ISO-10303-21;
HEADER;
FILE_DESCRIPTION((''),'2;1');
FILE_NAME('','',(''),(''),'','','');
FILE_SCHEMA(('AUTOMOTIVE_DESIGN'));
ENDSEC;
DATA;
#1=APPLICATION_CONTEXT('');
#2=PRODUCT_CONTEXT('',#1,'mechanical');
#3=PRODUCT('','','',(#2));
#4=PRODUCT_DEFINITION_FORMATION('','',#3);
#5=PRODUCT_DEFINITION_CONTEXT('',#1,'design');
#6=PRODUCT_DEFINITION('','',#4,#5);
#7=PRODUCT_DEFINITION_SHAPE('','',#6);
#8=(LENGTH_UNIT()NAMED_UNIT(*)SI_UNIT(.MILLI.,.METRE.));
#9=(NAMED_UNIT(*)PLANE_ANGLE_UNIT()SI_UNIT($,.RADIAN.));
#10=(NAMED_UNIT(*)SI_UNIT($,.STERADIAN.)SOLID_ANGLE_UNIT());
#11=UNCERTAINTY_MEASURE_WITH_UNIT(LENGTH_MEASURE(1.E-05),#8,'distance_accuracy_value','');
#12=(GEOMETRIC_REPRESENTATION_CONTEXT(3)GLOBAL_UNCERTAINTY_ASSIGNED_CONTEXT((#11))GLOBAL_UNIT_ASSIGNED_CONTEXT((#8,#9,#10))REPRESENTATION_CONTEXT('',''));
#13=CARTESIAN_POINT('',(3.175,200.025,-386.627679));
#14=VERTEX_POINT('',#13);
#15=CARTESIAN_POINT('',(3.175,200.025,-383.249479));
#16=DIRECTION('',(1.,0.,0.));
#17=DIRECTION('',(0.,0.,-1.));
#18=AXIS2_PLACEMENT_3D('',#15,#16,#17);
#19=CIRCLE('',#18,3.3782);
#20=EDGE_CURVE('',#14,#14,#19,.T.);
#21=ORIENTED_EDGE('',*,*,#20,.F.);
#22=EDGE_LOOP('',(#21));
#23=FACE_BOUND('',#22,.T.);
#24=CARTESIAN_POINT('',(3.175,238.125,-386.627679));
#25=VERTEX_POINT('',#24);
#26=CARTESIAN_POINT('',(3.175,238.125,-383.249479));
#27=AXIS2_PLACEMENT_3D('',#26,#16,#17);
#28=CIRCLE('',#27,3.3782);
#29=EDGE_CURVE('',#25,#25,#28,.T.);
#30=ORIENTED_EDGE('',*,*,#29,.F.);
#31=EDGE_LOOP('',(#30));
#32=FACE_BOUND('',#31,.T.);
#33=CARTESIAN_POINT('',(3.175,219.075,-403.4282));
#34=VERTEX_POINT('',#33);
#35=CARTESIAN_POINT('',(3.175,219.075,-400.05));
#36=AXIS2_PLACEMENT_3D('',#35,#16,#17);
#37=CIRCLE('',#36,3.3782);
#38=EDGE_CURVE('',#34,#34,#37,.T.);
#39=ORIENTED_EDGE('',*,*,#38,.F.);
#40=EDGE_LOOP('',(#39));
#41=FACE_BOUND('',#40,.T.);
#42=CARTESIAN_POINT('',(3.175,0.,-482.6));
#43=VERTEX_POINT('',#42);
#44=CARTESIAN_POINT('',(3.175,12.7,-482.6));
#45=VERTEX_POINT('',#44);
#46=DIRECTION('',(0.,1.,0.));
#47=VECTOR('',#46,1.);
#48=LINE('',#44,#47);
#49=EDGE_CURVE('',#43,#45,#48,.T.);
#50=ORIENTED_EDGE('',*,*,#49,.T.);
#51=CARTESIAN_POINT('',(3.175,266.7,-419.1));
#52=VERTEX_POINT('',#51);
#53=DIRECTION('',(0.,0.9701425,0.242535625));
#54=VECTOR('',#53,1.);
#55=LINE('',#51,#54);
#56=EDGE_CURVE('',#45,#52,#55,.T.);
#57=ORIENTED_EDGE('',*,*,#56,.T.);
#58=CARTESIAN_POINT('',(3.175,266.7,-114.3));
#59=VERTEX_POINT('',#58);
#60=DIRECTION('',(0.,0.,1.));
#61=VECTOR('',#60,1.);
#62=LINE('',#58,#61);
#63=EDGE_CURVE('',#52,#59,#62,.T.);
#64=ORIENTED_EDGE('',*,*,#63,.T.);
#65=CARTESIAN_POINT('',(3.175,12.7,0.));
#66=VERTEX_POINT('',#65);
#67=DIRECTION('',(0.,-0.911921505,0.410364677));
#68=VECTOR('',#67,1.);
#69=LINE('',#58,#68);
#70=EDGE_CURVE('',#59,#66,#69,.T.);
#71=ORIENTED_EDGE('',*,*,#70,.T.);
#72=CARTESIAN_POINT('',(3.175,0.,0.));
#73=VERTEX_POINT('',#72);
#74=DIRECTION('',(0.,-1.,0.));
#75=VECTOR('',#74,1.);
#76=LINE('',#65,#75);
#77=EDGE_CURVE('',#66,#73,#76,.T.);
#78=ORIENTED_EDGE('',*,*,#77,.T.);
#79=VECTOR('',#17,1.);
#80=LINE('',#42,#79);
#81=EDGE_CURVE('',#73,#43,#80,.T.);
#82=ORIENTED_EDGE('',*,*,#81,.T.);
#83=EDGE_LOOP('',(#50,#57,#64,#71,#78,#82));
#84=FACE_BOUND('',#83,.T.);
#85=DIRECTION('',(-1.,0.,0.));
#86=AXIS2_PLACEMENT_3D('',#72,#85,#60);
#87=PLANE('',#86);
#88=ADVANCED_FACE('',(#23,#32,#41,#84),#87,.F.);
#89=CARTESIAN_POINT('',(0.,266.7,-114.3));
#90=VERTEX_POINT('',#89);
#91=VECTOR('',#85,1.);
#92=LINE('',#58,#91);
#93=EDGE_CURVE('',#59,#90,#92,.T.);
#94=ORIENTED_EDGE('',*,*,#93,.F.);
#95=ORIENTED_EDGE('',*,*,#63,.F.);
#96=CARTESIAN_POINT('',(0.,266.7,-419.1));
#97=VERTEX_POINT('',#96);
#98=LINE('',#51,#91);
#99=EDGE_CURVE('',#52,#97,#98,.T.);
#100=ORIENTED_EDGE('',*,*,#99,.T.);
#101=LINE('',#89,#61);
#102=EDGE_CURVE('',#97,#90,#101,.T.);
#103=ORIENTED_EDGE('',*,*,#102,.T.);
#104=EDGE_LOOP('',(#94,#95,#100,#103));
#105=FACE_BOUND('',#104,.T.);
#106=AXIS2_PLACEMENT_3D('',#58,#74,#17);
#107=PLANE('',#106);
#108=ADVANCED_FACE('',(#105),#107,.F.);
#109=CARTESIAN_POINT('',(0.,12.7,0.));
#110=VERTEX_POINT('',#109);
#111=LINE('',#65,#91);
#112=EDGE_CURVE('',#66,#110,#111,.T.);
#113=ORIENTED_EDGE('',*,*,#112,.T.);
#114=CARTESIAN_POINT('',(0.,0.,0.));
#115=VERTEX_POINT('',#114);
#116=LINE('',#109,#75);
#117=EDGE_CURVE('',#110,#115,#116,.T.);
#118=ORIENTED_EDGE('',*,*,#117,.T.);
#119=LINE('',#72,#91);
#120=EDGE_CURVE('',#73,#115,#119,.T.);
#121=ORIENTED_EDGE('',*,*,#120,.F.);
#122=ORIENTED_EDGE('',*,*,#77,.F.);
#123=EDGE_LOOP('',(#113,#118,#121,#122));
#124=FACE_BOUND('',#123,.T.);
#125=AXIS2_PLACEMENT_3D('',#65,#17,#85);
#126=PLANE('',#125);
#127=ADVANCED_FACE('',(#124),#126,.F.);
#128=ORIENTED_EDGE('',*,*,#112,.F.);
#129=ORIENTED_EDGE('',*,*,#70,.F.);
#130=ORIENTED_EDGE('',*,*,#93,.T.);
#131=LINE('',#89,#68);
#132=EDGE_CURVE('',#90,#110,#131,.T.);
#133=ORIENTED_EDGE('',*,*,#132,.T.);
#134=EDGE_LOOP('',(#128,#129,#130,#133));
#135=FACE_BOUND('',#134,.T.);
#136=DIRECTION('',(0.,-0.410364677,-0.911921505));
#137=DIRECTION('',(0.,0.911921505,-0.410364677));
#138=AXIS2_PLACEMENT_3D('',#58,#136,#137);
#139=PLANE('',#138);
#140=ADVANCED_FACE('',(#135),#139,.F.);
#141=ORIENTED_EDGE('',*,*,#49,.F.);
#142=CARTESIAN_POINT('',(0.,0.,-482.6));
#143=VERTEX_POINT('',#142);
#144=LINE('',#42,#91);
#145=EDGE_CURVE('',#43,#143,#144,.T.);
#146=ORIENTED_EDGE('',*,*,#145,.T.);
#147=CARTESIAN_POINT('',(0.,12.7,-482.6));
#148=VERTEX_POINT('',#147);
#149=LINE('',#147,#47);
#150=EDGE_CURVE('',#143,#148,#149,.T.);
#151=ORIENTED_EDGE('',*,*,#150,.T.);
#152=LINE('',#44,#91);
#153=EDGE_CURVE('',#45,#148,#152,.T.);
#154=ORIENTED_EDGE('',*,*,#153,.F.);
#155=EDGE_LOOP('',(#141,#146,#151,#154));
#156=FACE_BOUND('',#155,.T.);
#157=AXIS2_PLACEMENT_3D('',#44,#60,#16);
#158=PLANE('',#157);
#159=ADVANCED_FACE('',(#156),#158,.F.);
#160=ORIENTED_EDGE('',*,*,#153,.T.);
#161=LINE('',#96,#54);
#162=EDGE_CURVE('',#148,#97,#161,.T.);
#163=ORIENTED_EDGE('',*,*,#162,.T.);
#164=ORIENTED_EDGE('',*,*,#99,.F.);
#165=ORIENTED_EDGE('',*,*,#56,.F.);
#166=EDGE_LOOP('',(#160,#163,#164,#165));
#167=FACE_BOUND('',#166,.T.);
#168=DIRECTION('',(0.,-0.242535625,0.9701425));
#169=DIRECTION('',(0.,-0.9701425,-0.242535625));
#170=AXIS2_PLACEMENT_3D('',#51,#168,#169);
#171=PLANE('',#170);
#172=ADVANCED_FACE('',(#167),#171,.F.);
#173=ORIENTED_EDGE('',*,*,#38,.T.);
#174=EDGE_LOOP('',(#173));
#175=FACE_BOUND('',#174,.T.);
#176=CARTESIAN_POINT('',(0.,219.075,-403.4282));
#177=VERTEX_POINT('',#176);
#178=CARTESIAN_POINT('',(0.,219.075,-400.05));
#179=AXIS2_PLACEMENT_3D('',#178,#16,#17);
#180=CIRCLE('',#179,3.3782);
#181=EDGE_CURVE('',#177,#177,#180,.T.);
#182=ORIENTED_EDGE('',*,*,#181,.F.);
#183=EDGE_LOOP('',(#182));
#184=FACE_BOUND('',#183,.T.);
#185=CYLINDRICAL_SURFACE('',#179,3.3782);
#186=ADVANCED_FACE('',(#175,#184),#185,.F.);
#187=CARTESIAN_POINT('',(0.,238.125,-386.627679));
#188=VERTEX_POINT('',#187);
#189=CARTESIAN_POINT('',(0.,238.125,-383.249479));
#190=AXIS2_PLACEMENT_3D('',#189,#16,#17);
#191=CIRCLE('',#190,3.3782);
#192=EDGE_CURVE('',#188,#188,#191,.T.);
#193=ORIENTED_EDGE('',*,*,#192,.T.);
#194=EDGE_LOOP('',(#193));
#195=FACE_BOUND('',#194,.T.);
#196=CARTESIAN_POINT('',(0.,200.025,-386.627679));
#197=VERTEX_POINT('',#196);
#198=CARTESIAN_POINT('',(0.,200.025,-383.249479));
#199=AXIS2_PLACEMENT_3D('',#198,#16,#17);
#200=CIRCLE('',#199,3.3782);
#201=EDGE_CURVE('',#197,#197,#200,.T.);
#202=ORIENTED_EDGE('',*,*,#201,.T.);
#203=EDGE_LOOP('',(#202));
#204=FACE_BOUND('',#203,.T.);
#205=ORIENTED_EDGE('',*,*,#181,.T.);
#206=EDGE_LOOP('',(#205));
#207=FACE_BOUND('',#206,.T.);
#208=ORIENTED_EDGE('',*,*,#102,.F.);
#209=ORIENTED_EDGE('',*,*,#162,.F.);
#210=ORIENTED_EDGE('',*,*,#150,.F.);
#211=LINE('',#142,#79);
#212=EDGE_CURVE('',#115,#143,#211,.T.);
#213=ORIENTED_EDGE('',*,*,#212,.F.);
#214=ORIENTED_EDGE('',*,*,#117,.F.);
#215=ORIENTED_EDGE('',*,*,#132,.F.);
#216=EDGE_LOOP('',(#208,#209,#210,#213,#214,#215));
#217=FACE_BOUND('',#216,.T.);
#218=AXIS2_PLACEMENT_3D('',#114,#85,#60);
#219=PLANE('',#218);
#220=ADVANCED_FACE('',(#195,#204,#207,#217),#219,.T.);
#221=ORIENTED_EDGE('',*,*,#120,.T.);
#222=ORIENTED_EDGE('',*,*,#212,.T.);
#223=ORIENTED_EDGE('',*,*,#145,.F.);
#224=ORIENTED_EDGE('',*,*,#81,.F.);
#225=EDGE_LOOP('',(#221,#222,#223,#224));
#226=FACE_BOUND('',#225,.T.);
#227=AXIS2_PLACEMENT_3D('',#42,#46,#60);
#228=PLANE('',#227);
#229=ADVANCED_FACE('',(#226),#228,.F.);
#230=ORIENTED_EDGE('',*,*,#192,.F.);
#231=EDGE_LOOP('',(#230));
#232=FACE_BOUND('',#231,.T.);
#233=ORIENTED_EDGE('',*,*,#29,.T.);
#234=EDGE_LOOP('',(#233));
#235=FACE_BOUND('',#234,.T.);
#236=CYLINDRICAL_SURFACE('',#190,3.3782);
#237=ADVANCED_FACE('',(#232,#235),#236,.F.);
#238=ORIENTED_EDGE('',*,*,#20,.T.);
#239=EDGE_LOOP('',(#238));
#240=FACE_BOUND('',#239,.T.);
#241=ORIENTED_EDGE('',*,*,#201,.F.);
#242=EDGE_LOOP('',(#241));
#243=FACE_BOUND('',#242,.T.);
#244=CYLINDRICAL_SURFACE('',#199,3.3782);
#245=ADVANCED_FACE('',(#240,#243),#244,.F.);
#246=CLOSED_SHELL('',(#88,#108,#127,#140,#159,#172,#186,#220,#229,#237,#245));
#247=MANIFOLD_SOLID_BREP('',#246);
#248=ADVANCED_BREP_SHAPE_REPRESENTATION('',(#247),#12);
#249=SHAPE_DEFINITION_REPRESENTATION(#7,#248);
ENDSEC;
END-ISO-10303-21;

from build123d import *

# Parameters (mm, degrees)
BOSS_EXTRUDE1_DEPTH = 3.175
SKETCH3_R           = 3.3782
CUT_EXTRUDE2_DEPTH  = 4.175


with BuildPart() as part:
    # Sketch1 → Boss-Extrude1 (new body)
    with BuildSketch(Plane(origin=(0, 0, 0), x_dir=(0, 0, -1), z_dir=(1, 0, 0))):
        Polygon((114.3, 266.7), (419.1, 266.7), (482.6, 12.7), (482.6, 0), (0, 0), (0, 12.7), align=None)
    extrude(amount=BOSS_EXTRUDE1_DEPTH)

    # Sketch3 → Cut-Extrude2 (cut, through all)
    with BuildSketch(Plane(origin=(3.175, 0, 0), x_dir=(0, 0, -1), z_dir=(1, 0, 0))):
        with Locations((400.05, 219.075)):
            Circle(SKETCH3_R)
        with Locations((383.249479175, 200.025)):
            Circle(SKETCH3_R)
        with Locations((383.249479175, 238.125)):
            Circle(SKETCH3_R)
    extrude(amount=-CUT_EXTRUDE2_DEPTH, mode=Mode.SUBTRACT)


solid = part.part
